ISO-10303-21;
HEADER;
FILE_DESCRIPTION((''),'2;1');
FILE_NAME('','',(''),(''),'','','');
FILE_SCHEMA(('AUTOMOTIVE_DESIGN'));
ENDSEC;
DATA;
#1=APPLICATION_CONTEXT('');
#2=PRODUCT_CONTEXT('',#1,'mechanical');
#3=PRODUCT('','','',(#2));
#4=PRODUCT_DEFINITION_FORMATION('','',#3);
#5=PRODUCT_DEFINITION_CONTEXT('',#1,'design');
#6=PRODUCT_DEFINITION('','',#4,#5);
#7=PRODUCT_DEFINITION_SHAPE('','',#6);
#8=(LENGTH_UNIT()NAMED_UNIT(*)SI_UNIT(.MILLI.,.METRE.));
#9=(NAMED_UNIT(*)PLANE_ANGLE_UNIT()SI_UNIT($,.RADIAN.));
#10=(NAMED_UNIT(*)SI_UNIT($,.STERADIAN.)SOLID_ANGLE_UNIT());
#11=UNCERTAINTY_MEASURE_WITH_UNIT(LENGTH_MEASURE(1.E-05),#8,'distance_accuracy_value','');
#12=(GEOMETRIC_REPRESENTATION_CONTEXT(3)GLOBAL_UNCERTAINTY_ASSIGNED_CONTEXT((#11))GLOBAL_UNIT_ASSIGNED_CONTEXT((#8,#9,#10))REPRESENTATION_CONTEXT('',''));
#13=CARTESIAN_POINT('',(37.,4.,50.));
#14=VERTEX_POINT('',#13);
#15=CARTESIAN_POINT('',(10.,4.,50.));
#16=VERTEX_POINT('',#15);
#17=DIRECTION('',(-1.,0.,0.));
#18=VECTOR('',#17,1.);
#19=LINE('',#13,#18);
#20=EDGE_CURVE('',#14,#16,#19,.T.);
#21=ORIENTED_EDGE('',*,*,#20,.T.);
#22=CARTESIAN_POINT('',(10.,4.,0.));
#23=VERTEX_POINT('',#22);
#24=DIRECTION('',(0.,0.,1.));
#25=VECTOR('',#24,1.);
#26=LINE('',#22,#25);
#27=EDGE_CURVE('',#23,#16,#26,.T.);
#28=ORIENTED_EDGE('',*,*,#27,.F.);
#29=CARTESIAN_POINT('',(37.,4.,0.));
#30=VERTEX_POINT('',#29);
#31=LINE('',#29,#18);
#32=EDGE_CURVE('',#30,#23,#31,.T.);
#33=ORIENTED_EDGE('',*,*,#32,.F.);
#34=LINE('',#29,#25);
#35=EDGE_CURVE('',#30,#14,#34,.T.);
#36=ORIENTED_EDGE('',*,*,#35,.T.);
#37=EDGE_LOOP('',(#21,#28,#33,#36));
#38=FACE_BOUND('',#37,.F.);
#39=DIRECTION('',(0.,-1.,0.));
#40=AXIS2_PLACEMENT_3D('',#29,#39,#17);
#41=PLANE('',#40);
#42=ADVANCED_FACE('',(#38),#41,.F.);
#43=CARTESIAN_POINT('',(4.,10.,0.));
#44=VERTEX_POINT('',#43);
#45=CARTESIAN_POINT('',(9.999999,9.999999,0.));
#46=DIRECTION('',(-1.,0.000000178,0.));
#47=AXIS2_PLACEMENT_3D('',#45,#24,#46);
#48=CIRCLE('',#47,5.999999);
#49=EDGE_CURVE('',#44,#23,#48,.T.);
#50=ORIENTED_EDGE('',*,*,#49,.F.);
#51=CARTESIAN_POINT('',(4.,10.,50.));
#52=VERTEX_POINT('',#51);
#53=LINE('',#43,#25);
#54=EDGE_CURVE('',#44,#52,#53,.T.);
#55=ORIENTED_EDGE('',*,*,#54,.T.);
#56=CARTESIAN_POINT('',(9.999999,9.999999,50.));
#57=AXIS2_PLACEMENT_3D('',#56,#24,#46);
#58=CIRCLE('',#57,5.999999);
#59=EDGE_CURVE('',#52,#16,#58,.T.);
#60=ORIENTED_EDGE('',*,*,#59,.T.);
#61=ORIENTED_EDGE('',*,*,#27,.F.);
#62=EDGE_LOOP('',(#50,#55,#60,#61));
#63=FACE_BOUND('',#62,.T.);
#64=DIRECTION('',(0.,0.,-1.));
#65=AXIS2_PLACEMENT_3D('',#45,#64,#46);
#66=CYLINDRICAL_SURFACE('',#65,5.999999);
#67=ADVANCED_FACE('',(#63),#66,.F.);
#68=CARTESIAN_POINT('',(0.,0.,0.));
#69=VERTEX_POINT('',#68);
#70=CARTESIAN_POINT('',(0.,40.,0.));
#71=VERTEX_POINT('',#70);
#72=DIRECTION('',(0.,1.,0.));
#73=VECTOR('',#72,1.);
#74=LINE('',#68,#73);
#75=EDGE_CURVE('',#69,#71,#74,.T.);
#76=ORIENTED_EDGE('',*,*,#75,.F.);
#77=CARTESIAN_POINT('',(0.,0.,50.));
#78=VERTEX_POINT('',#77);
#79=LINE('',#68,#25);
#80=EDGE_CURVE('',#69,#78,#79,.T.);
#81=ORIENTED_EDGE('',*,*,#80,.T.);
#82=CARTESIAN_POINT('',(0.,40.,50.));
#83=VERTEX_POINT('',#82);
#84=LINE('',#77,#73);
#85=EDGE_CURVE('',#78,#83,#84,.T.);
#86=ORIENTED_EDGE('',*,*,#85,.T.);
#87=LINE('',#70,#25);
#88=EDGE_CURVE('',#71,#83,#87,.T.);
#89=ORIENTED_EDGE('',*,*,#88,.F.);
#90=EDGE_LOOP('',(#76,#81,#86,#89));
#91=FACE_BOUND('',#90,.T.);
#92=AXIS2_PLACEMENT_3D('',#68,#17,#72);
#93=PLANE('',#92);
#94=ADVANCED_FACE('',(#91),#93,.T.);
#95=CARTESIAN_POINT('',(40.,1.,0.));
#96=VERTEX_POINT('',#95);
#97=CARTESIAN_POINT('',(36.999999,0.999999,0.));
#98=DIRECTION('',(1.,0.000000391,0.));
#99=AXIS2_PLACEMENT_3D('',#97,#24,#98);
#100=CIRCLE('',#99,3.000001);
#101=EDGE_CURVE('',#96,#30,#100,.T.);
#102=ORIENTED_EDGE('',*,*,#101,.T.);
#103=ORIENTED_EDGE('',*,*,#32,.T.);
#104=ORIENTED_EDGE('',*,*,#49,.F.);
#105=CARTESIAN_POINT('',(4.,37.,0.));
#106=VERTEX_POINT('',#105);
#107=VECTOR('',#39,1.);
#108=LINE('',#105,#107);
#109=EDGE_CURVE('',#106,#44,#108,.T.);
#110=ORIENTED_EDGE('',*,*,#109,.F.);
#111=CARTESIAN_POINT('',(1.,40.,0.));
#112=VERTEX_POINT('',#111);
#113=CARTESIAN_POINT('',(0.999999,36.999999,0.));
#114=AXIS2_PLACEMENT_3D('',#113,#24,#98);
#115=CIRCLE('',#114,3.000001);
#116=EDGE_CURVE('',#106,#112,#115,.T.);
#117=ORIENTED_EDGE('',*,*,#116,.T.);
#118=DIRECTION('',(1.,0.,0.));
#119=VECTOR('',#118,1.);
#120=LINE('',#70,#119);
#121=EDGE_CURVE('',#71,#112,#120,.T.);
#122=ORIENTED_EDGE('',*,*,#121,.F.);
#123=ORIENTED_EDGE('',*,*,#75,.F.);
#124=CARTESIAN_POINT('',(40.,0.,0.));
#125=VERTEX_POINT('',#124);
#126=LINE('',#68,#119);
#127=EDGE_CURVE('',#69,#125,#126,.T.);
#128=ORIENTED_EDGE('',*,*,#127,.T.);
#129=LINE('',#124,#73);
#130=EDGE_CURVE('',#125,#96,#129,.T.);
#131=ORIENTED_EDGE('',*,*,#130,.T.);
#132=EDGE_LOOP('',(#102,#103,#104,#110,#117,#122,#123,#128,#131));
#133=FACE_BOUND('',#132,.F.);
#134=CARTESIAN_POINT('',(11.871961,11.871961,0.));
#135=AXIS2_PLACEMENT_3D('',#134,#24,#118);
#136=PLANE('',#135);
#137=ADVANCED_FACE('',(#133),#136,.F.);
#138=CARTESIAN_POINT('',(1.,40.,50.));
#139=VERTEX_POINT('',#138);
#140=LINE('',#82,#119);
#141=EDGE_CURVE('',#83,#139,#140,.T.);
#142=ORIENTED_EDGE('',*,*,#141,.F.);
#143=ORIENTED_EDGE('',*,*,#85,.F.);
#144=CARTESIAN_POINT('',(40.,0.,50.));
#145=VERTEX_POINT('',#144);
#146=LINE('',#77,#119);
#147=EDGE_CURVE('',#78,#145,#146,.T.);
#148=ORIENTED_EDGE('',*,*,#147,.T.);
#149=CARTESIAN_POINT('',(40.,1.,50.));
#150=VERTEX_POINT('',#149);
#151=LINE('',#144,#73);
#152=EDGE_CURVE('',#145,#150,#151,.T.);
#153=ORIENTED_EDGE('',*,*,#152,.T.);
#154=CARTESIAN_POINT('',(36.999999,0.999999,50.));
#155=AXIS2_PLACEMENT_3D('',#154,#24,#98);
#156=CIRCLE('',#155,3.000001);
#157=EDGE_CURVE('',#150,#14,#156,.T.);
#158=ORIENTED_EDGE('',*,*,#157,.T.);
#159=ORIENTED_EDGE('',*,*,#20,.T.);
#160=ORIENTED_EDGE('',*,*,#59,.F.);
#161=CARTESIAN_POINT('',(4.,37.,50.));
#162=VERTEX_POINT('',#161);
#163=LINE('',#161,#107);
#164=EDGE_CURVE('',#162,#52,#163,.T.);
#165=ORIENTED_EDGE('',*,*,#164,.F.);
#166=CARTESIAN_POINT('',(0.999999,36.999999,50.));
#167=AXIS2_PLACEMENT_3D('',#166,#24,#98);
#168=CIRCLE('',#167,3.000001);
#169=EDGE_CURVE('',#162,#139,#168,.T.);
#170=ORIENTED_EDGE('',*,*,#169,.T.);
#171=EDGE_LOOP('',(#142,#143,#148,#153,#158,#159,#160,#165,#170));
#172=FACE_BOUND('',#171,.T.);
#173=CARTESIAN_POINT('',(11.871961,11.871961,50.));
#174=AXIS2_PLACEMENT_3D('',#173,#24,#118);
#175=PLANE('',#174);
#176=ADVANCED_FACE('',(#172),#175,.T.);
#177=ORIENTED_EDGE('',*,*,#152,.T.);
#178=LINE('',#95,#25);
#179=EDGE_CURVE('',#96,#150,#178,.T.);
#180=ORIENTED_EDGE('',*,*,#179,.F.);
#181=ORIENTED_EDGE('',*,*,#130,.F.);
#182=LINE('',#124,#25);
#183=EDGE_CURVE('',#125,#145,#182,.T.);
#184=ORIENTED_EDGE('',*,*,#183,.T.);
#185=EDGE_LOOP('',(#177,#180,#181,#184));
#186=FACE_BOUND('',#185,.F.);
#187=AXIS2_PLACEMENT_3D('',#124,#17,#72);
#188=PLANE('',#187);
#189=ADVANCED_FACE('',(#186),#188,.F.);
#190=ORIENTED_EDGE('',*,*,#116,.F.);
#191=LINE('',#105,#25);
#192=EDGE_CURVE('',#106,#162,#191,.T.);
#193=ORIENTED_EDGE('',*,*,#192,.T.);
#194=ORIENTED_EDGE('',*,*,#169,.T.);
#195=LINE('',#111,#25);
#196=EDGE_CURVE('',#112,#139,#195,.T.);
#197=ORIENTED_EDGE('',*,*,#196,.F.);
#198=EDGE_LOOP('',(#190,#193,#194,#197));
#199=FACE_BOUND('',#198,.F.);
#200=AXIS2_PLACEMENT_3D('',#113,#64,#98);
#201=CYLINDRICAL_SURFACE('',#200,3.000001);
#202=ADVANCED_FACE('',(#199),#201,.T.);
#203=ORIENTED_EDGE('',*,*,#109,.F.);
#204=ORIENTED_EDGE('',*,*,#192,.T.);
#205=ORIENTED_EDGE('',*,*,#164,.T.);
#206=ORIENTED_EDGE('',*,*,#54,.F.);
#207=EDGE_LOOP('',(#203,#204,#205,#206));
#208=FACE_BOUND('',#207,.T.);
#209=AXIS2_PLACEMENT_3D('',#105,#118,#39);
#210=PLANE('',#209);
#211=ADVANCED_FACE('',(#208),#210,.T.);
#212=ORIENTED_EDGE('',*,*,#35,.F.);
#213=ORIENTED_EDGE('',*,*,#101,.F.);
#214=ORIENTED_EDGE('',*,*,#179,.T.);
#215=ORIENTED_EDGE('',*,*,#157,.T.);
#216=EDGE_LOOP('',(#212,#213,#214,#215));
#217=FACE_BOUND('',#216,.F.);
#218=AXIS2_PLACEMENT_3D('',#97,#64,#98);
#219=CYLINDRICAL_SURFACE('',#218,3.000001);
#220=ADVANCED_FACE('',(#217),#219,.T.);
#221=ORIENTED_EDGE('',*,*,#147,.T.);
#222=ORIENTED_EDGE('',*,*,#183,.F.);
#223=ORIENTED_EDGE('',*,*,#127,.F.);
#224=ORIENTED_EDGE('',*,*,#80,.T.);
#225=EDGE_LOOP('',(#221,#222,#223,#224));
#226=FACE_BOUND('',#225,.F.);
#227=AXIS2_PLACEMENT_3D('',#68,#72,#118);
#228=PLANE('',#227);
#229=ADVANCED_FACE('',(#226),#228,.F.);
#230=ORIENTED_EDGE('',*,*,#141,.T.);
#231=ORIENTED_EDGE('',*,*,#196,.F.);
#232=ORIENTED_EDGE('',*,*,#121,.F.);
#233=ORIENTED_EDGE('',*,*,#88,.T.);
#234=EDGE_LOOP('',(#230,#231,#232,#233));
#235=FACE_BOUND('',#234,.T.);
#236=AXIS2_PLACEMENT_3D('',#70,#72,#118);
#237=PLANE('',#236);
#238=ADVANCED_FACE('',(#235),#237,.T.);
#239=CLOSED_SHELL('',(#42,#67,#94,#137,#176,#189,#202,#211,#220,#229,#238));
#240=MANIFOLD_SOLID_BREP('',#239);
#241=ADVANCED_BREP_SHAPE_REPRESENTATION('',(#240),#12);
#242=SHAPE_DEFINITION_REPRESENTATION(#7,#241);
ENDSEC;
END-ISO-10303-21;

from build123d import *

# Parameters (mm, degrees)
EXTRUDE_DEPTH = 50


with BuildPart() as part:
    # Sketch → Extrude (new body)
    with BuildSketch(Plane.XY):
        with BuildLine():
            Line((0, 0), (40, 0))
            Line((40, 0), (40, 1))
            ThreePointArc((40, 1), (39.12132, 3.12132), (37, 4))
            Line((37, 4), (10, 4))
            ThreePointArc((4, 10), (5.757359, 5.757359), (10, 4))
            Line((4, 37), (4, 10))
            ThreePointArc((4, 37), (3.12132, 39.12132), (1, 40))
            Line((0, 40), (1, 40))
            Line((0, 0), (0, 40))
        make_face()
    extrude(amount=EXTRUDE_DEPTH)


solid = part.part
